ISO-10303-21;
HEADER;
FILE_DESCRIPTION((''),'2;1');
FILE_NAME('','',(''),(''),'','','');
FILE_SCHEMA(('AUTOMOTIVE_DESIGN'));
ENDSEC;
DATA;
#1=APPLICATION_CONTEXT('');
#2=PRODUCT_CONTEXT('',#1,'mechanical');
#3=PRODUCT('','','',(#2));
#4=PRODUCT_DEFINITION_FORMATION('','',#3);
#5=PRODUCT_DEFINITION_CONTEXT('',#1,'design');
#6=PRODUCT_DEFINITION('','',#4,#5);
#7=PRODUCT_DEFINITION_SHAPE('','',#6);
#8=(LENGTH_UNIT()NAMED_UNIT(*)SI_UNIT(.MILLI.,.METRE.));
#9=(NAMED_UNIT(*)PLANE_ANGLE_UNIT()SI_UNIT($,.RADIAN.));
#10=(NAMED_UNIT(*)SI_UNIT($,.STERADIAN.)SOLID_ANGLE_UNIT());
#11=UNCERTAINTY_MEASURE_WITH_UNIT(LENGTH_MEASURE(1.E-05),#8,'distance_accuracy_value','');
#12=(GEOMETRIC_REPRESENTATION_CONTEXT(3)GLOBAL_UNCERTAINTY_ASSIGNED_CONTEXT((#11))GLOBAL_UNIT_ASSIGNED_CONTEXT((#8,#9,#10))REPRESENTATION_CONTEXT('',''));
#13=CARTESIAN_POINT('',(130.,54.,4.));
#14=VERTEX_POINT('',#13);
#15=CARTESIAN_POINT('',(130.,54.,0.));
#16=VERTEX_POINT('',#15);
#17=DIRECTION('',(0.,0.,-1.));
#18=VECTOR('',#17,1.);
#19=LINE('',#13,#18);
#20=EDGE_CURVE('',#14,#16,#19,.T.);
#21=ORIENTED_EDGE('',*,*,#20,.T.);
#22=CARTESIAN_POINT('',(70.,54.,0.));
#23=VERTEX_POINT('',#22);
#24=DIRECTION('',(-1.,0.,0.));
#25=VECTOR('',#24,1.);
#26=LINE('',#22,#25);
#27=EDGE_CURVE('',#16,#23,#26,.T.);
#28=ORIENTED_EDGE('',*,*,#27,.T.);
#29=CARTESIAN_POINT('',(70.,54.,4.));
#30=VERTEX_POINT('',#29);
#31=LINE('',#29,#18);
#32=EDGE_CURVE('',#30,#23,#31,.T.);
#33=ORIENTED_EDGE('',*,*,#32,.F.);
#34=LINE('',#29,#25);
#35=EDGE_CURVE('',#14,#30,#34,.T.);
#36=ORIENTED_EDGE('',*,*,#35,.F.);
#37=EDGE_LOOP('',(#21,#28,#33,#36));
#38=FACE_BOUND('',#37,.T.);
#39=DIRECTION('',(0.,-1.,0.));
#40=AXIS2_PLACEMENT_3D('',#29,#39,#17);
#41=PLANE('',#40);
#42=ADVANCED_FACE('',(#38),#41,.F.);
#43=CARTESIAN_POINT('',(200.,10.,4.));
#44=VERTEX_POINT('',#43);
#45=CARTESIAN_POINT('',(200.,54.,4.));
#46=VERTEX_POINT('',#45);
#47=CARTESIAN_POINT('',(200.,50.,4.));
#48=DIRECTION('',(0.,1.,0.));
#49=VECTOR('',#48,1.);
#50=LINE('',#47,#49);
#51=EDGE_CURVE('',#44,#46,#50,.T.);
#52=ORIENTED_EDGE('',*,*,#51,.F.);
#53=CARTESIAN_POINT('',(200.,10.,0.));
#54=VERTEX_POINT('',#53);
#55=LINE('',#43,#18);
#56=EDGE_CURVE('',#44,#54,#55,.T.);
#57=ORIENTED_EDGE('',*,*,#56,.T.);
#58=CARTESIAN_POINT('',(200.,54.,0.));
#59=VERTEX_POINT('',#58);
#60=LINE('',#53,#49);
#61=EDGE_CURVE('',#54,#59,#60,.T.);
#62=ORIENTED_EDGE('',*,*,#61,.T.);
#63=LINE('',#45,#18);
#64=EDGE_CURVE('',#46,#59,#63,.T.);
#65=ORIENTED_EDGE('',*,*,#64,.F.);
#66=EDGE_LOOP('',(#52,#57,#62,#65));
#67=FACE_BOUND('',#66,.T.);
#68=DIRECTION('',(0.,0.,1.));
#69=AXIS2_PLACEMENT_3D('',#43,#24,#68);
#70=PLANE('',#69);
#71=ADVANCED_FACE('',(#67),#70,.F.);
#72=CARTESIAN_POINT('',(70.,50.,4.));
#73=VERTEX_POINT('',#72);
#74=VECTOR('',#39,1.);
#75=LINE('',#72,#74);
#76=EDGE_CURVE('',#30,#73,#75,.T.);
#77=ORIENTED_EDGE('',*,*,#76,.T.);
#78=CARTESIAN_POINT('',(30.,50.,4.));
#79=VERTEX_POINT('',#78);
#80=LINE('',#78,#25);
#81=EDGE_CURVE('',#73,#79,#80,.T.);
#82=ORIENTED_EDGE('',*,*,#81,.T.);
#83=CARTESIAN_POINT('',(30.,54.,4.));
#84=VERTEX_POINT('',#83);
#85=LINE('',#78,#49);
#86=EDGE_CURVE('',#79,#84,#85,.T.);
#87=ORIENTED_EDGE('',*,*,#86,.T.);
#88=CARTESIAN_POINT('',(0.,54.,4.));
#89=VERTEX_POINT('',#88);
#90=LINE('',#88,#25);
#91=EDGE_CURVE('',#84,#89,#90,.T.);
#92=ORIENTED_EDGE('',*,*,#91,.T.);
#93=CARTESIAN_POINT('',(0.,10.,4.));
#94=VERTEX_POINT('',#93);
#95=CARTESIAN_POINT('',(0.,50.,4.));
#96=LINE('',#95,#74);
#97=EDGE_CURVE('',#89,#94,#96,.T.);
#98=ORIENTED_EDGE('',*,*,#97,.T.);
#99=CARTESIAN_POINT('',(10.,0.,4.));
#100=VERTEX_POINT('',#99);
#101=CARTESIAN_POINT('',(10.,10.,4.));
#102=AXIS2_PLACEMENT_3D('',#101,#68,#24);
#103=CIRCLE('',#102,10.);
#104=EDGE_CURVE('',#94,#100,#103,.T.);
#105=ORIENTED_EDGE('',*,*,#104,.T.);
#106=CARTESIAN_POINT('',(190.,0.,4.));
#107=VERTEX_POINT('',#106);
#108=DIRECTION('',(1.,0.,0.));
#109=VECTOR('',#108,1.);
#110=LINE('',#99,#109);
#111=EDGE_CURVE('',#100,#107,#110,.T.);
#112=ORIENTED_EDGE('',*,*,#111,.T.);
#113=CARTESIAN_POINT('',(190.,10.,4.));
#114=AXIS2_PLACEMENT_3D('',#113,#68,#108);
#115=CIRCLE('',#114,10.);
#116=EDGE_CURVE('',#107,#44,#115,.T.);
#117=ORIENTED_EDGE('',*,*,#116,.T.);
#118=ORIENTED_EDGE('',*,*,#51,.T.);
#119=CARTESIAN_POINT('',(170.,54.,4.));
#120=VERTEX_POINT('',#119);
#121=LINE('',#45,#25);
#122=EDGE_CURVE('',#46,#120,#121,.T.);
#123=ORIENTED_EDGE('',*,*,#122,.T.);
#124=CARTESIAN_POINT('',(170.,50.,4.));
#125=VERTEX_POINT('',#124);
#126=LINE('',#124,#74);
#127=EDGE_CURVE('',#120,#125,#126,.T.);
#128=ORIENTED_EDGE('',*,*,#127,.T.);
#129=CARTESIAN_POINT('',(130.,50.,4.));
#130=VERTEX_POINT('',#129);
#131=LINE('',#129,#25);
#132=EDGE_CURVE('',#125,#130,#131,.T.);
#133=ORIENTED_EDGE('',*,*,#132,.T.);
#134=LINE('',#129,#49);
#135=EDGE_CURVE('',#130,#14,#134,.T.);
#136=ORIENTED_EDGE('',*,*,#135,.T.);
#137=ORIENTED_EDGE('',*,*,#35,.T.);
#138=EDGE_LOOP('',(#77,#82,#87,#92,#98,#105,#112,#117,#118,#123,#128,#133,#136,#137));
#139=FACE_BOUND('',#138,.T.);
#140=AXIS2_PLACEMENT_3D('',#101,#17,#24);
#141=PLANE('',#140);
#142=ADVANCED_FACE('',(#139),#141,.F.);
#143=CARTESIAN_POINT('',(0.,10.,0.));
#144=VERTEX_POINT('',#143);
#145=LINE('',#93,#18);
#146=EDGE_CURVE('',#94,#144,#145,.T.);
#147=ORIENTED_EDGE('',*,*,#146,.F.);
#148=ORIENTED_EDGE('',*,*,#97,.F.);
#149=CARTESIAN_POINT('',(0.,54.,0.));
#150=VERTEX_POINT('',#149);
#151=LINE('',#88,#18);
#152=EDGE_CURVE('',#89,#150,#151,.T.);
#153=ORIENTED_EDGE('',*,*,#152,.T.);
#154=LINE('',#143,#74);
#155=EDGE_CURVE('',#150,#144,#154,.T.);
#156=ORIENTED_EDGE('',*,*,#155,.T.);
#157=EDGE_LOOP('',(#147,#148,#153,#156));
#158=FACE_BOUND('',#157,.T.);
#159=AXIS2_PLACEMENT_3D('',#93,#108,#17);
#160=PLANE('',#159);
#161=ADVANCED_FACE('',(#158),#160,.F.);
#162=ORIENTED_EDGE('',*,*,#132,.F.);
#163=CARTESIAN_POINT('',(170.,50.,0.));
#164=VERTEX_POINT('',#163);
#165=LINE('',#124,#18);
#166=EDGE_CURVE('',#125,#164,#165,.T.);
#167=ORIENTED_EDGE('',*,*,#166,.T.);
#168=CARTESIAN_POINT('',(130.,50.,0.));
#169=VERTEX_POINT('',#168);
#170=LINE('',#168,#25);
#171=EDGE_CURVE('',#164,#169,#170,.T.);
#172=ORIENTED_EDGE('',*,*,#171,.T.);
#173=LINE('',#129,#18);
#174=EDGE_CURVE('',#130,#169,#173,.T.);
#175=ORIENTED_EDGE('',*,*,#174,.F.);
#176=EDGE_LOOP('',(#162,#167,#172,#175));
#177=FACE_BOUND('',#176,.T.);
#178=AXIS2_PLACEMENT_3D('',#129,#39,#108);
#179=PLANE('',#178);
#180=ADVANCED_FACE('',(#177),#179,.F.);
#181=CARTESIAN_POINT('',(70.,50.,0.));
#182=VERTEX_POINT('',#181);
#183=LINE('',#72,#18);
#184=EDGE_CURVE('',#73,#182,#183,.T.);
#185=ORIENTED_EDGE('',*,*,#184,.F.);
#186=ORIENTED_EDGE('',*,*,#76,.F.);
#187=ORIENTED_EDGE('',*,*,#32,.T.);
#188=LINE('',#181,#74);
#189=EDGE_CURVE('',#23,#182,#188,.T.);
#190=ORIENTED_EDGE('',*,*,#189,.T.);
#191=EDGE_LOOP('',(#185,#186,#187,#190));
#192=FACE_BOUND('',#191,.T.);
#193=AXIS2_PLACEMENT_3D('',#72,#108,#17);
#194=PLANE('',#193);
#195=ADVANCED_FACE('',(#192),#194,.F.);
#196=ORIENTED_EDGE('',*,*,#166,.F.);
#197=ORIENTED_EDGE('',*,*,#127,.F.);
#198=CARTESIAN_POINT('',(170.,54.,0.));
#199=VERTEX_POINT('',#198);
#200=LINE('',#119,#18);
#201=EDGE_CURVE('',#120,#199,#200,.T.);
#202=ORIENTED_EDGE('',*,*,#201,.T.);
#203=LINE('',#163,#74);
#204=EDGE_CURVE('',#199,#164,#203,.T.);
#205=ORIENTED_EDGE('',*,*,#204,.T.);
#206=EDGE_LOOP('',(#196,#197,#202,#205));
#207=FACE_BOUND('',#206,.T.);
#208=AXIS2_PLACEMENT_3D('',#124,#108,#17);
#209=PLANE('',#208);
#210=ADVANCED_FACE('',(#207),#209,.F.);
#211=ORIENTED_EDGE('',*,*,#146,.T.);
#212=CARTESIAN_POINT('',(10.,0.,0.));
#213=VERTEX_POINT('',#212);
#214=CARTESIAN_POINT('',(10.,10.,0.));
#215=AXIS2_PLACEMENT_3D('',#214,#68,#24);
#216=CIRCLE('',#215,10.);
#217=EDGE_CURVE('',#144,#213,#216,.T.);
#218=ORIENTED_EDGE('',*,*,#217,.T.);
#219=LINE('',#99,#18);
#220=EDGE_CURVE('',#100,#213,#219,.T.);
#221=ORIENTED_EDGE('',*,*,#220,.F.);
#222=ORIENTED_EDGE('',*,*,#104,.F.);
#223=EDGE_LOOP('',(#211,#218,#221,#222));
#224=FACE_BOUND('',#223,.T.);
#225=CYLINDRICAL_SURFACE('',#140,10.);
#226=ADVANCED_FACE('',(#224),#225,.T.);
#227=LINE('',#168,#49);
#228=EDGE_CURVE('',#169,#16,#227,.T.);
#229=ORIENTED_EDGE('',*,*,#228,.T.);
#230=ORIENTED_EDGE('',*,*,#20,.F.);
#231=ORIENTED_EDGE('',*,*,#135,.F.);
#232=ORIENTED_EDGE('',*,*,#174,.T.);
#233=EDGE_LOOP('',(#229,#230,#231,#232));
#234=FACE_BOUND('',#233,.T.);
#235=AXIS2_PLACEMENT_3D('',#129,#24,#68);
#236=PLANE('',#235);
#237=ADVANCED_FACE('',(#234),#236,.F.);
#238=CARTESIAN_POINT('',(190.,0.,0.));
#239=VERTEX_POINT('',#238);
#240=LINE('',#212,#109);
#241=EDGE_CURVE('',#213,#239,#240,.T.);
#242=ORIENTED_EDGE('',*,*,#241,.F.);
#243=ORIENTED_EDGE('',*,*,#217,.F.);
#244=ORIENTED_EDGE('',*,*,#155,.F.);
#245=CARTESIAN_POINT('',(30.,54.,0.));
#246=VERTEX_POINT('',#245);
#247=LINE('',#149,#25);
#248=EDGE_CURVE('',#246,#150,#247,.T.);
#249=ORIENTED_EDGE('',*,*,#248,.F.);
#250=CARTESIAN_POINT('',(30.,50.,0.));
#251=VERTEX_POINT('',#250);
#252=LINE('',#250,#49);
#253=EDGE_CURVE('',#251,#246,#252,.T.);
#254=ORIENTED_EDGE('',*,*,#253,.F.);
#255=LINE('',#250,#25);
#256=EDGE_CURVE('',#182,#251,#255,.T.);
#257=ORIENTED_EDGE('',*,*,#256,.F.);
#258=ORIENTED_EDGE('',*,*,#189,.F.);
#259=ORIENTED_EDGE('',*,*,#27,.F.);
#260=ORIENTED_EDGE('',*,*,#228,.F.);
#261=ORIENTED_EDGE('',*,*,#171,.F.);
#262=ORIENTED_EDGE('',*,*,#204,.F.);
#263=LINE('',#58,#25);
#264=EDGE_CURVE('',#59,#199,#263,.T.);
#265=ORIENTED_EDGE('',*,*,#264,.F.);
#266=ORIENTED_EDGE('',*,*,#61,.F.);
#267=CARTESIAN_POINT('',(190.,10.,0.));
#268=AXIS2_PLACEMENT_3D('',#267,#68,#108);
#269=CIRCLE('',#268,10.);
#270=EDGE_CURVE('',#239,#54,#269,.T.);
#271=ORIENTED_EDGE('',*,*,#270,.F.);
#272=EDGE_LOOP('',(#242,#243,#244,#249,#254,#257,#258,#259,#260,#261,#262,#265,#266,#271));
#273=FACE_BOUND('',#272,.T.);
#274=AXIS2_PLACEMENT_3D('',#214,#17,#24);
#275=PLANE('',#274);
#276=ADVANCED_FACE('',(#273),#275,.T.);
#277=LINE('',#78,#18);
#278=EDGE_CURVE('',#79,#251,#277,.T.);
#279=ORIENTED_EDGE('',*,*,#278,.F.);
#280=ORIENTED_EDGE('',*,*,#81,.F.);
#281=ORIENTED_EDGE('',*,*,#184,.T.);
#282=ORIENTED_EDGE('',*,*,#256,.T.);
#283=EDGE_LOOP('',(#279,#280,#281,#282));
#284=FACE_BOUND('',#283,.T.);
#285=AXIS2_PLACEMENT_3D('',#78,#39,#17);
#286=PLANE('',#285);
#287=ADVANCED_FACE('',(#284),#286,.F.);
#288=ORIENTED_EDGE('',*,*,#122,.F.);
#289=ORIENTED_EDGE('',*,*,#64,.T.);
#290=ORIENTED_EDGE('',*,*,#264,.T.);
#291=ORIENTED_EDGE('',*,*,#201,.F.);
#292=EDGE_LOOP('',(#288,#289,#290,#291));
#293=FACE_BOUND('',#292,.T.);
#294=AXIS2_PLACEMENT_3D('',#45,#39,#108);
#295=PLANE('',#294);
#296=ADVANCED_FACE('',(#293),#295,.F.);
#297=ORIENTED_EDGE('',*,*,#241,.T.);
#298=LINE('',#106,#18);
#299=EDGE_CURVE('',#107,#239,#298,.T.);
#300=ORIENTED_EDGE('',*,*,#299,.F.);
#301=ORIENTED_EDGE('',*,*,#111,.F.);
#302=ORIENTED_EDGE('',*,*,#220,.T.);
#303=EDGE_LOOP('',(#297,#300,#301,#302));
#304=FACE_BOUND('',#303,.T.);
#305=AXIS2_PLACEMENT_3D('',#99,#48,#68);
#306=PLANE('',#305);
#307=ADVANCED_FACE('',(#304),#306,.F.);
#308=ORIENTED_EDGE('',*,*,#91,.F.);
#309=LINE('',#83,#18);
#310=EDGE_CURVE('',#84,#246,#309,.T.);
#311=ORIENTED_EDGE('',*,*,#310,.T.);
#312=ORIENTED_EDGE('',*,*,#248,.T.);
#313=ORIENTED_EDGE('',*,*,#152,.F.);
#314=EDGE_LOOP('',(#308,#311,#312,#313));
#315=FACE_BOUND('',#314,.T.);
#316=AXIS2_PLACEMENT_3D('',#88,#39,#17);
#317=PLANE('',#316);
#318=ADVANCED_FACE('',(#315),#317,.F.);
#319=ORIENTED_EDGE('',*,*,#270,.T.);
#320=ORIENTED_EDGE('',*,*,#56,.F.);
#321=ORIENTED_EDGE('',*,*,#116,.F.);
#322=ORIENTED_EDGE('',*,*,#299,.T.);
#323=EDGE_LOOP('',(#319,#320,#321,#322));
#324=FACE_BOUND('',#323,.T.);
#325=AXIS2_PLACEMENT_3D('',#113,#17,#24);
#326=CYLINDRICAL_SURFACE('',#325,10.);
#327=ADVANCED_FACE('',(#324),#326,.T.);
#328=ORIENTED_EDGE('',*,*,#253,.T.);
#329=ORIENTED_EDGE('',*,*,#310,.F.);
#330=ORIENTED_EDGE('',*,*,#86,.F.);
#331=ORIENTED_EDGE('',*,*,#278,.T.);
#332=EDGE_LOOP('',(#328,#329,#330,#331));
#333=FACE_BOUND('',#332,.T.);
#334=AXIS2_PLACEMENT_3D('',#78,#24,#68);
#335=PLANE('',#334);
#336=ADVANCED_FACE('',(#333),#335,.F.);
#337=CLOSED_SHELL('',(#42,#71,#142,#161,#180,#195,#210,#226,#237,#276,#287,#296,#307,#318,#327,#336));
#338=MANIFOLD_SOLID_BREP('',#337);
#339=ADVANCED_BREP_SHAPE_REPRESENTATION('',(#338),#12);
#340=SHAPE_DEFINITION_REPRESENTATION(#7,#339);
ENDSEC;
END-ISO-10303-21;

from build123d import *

# Parameters (mm, degrees)
BOSS_EXTRUDE1_DEPTH = 4


with BuildPart() as part:
    # Sketch1 → Boss-Extrude1 (new body)
    with BuildSketch(Plane.XY):
        with BuildLine():
            Line((10, 0), (190, 0))
            ThreePointArc((190, 0), (197.071067812, 2.928932188), (200, 10))
            Line((200, 10), (200, 50))
            Line((200, 50), (200, 54))
            Line((200, 54), (170, 54))
            Line((170, 54), (170, 50))
            Line((170, 50), (130, 50))
            Line((130, 50), (130, 54))
            Line((130, 54), (70, 54))
            Line((70, 54), (70, 50))
            Line((70, 50), (30, 50))
            Line((30, 50), (30, 54))
            Line((30, 54), (0, 54))
            Line((0, 54), (0, 50))
            Line((0, 50), (0, 10))
            ThreePointArc((0, 10), (2.928932188, 2.928932188), (10, 0))
        make_face()
    extrude(amount=BOSS_EXTRUDE1_DEPTH)


solid = part.part
